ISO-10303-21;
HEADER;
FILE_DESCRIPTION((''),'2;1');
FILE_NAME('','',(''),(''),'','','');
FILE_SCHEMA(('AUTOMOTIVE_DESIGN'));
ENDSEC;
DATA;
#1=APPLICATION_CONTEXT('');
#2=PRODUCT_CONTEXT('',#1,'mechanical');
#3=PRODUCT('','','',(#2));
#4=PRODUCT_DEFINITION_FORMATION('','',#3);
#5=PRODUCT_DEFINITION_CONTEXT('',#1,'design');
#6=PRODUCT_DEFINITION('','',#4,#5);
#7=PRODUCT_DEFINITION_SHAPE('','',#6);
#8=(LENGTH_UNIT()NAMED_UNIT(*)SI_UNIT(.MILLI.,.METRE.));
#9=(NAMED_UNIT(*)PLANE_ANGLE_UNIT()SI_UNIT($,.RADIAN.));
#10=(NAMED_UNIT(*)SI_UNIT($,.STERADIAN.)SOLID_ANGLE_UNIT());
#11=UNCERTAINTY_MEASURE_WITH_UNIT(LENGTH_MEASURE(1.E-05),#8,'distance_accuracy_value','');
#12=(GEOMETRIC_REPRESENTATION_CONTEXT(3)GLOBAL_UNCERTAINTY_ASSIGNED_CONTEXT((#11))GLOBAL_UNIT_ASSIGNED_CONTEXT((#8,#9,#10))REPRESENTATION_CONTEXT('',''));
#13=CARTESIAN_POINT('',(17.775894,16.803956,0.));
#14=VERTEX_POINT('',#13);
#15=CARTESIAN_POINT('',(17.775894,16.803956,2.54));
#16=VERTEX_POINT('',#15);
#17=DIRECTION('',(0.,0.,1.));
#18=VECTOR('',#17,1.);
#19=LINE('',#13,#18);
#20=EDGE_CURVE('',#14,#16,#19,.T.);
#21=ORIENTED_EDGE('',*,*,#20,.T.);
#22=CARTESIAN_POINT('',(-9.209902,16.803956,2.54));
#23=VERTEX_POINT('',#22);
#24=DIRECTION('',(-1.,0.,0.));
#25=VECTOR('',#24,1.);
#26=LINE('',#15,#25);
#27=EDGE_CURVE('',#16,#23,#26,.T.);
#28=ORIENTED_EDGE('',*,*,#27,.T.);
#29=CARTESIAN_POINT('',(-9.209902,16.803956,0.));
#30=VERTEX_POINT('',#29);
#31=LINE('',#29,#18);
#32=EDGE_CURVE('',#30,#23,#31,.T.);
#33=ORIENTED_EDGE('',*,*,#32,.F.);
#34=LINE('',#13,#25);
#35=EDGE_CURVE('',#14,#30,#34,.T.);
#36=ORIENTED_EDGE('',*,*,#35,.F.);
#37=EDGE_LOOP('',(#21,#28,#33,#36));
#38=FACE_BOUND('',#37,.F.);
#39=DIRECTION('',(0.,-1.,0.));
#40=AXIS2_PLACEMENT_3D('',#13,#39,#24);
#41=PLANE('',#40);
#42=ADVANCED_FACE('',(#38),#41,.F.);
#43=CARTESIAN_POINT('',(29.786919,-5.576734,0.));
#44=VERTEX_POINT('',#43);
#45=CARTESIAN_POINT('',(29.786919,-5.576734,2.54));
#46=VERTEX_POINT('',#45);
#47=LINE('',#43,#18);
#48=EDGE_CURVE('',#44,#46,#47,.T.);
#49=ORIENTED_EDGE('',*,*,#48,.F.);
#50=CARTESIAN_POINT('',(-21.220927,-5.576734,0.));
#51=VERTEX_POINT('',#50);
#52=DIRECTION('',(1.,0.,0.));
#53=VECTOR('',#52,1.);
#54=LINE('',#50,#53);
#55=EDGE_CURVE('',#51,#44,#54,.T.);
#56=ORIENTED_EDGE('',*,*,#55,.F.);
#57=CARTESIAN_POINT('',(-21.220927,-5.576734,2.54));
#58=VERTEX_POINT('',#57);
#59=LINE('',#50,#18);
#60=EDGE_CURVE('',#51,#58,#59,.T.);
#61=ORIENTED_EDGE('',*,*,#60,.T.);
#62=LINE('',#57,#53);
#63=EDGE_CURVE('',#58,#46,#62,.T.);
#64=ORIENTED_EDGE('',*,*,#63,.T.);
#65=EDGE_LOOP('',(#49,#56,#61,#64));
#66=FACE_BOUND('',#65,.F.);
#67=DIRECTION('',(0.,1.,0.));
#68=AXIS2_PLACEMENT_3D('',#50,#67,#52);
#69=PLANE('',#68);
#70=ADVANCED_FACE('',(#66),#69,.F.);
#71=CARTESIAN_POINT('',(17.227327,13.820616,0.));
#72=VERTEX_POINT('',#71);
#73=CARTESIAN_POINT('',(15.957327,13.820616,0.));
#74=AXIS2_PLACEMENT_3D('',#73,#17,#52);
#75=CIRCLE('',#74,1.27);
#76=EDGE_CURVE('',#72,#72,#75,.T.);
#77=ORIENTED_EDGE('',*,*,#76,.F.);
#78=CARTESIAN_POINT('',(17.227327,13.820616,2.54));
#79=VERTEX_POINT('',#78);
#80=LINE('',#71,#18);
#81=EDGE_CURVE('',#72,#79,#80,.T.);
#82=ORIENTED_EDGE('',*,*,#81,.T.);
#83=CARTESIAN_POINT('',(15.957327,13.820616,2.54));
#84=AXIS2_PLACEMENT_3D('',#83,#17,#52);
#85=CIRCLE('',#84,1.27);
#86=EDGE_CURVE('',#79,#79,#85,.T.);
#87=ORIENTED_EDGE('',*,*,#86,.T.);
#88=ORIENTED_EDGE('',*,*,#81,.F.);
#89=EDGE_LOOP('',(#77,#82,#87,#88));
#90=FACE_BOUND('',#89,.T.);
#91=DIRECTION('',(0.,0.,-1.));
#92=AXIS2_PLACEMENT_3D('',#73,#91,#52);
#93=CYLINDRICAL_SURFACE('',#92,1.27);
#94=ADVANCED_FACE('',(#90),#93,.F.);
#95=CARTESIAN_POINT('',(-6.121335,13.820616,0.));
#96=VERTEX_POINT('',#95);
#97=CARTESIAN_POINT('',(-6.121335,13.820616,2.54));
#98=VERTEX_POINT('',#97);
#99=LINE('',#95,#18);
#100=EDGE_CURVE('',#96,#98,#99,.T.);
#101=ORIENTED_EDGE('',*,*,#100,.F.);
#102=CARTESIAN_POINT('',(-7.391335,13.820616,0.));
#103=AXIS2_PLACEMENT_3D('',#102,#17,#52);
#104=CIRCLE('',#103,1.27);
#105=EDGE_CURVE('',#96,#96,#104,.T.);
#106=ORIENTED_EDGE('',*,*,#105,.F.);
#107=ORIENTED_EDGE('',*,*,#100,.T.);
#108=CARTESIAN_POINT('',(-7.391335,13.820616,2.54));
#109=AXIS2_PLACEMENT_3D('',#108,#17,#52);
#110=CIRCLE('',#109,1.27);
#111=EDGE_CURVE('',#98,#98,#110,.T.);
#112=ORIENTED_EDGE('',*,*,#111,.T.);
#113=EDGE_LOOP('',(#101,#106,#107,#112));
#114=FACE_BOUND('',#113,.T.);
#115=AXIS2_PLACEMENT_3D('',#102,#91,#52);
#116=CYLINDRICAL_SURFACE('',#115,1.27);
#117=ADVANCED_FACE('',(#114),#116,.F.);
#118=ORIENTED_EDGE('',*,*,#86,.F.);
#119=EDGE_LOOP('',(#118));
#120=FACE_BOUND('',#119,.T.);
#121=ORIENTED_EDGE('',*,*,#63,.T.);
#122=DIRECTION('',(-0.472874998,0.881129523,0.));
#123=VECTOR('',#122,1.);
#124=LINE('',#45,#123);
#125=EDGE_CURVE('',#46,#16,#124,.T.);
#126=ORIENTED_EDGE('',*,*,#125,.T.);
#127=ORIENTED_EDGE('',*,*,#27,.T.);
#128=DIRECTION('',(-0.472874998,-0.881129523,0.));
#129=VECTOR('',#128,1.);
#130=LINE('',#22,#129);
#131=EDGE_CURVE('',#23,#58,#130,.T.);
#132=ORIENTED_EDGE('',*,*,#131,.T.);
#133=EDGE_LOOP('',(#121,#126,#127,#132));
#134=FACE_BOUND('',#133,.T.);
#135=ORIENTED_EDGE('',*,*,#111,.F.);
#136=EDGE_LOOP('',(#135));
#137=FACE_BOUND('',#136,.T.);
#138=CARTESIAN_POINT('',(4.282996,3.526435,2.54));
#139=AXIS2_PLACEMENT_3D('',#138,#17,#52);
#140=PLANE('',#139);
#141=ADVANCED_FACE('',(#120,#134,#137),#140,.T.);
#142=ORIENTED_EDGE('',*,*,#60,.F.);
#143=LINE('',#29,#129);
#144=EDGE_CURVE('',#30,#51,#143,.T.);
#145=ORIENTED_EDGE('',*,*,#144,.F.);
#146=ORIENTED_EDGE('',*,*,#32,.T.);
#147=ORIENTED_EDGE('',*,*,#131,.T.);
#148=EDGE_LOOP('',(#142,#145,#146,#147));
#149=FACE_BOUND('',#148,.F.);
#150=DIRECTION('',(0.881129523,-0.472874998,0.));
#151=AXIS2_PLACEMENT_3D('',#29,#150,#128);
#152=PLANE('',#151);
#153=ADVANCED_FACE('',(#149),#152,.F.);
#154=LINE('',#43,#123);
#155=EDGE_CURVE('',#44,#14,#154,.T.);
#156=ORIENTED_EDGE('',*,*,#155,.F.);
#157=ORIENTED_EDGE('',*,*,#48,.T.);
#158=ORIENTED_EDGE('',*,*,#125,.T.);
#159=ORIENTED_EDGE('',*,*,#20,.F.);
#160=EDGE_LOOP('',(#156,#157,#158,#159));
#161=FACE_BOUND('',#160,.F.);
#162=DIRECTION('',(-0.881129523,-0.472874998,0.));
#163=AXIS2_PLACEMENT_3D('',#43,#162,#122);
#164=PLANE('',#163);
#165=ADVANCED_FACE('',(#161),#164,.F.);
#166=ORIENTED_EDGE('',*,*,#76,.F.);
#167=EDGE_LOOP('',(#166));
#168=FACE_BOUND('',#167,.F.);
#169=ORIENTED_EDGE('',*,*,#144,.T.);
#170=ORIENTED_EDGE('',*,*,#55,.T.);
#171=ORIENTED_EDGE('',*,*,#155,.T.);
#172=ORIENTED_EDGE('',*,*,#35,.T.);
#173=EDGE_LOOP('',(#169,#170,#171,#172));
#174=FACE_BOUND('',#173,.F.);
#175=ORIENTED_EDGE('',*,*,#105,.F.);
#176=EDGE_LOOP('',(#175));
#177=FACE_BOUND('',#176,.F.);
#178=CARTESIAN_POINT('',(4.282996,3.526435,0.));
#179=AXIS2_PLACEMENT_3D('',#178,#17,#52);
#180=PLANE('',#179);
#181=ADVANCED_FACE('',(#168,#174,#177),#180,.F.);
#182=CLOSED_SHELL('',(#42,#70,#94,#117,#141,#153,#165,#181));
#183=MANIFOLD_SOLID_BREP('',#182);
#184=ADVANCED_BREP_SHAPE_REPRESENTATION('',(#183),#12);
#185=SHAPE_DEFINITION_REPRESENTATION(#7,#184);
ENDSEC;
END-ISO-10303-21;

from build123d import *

# Parameters (mm, degrees)
F0_R     = 1.27
F1_DEPTH = 2.54


with BuildPart() as f1:
    # F0 (on Top) → F1 (new body)
    with BuildSketch(Plane.XY):
        Polygon((-9.209902, 16.803956), (-21.220927, -5.576734), (29.786919, -5.576734), (17.775894, 16.803956), align=None)
        with Locations((-7.391335, 13.820616)):
            Circle(F0_R, mode=Mode.SUBTRACT)
        with Locations((15.957327, 13.820616)):
            Circle(F0_R, mode=Mode.SUBTRACT)
    extrude(amount=F1_DEPTH)


solid = f1.part
